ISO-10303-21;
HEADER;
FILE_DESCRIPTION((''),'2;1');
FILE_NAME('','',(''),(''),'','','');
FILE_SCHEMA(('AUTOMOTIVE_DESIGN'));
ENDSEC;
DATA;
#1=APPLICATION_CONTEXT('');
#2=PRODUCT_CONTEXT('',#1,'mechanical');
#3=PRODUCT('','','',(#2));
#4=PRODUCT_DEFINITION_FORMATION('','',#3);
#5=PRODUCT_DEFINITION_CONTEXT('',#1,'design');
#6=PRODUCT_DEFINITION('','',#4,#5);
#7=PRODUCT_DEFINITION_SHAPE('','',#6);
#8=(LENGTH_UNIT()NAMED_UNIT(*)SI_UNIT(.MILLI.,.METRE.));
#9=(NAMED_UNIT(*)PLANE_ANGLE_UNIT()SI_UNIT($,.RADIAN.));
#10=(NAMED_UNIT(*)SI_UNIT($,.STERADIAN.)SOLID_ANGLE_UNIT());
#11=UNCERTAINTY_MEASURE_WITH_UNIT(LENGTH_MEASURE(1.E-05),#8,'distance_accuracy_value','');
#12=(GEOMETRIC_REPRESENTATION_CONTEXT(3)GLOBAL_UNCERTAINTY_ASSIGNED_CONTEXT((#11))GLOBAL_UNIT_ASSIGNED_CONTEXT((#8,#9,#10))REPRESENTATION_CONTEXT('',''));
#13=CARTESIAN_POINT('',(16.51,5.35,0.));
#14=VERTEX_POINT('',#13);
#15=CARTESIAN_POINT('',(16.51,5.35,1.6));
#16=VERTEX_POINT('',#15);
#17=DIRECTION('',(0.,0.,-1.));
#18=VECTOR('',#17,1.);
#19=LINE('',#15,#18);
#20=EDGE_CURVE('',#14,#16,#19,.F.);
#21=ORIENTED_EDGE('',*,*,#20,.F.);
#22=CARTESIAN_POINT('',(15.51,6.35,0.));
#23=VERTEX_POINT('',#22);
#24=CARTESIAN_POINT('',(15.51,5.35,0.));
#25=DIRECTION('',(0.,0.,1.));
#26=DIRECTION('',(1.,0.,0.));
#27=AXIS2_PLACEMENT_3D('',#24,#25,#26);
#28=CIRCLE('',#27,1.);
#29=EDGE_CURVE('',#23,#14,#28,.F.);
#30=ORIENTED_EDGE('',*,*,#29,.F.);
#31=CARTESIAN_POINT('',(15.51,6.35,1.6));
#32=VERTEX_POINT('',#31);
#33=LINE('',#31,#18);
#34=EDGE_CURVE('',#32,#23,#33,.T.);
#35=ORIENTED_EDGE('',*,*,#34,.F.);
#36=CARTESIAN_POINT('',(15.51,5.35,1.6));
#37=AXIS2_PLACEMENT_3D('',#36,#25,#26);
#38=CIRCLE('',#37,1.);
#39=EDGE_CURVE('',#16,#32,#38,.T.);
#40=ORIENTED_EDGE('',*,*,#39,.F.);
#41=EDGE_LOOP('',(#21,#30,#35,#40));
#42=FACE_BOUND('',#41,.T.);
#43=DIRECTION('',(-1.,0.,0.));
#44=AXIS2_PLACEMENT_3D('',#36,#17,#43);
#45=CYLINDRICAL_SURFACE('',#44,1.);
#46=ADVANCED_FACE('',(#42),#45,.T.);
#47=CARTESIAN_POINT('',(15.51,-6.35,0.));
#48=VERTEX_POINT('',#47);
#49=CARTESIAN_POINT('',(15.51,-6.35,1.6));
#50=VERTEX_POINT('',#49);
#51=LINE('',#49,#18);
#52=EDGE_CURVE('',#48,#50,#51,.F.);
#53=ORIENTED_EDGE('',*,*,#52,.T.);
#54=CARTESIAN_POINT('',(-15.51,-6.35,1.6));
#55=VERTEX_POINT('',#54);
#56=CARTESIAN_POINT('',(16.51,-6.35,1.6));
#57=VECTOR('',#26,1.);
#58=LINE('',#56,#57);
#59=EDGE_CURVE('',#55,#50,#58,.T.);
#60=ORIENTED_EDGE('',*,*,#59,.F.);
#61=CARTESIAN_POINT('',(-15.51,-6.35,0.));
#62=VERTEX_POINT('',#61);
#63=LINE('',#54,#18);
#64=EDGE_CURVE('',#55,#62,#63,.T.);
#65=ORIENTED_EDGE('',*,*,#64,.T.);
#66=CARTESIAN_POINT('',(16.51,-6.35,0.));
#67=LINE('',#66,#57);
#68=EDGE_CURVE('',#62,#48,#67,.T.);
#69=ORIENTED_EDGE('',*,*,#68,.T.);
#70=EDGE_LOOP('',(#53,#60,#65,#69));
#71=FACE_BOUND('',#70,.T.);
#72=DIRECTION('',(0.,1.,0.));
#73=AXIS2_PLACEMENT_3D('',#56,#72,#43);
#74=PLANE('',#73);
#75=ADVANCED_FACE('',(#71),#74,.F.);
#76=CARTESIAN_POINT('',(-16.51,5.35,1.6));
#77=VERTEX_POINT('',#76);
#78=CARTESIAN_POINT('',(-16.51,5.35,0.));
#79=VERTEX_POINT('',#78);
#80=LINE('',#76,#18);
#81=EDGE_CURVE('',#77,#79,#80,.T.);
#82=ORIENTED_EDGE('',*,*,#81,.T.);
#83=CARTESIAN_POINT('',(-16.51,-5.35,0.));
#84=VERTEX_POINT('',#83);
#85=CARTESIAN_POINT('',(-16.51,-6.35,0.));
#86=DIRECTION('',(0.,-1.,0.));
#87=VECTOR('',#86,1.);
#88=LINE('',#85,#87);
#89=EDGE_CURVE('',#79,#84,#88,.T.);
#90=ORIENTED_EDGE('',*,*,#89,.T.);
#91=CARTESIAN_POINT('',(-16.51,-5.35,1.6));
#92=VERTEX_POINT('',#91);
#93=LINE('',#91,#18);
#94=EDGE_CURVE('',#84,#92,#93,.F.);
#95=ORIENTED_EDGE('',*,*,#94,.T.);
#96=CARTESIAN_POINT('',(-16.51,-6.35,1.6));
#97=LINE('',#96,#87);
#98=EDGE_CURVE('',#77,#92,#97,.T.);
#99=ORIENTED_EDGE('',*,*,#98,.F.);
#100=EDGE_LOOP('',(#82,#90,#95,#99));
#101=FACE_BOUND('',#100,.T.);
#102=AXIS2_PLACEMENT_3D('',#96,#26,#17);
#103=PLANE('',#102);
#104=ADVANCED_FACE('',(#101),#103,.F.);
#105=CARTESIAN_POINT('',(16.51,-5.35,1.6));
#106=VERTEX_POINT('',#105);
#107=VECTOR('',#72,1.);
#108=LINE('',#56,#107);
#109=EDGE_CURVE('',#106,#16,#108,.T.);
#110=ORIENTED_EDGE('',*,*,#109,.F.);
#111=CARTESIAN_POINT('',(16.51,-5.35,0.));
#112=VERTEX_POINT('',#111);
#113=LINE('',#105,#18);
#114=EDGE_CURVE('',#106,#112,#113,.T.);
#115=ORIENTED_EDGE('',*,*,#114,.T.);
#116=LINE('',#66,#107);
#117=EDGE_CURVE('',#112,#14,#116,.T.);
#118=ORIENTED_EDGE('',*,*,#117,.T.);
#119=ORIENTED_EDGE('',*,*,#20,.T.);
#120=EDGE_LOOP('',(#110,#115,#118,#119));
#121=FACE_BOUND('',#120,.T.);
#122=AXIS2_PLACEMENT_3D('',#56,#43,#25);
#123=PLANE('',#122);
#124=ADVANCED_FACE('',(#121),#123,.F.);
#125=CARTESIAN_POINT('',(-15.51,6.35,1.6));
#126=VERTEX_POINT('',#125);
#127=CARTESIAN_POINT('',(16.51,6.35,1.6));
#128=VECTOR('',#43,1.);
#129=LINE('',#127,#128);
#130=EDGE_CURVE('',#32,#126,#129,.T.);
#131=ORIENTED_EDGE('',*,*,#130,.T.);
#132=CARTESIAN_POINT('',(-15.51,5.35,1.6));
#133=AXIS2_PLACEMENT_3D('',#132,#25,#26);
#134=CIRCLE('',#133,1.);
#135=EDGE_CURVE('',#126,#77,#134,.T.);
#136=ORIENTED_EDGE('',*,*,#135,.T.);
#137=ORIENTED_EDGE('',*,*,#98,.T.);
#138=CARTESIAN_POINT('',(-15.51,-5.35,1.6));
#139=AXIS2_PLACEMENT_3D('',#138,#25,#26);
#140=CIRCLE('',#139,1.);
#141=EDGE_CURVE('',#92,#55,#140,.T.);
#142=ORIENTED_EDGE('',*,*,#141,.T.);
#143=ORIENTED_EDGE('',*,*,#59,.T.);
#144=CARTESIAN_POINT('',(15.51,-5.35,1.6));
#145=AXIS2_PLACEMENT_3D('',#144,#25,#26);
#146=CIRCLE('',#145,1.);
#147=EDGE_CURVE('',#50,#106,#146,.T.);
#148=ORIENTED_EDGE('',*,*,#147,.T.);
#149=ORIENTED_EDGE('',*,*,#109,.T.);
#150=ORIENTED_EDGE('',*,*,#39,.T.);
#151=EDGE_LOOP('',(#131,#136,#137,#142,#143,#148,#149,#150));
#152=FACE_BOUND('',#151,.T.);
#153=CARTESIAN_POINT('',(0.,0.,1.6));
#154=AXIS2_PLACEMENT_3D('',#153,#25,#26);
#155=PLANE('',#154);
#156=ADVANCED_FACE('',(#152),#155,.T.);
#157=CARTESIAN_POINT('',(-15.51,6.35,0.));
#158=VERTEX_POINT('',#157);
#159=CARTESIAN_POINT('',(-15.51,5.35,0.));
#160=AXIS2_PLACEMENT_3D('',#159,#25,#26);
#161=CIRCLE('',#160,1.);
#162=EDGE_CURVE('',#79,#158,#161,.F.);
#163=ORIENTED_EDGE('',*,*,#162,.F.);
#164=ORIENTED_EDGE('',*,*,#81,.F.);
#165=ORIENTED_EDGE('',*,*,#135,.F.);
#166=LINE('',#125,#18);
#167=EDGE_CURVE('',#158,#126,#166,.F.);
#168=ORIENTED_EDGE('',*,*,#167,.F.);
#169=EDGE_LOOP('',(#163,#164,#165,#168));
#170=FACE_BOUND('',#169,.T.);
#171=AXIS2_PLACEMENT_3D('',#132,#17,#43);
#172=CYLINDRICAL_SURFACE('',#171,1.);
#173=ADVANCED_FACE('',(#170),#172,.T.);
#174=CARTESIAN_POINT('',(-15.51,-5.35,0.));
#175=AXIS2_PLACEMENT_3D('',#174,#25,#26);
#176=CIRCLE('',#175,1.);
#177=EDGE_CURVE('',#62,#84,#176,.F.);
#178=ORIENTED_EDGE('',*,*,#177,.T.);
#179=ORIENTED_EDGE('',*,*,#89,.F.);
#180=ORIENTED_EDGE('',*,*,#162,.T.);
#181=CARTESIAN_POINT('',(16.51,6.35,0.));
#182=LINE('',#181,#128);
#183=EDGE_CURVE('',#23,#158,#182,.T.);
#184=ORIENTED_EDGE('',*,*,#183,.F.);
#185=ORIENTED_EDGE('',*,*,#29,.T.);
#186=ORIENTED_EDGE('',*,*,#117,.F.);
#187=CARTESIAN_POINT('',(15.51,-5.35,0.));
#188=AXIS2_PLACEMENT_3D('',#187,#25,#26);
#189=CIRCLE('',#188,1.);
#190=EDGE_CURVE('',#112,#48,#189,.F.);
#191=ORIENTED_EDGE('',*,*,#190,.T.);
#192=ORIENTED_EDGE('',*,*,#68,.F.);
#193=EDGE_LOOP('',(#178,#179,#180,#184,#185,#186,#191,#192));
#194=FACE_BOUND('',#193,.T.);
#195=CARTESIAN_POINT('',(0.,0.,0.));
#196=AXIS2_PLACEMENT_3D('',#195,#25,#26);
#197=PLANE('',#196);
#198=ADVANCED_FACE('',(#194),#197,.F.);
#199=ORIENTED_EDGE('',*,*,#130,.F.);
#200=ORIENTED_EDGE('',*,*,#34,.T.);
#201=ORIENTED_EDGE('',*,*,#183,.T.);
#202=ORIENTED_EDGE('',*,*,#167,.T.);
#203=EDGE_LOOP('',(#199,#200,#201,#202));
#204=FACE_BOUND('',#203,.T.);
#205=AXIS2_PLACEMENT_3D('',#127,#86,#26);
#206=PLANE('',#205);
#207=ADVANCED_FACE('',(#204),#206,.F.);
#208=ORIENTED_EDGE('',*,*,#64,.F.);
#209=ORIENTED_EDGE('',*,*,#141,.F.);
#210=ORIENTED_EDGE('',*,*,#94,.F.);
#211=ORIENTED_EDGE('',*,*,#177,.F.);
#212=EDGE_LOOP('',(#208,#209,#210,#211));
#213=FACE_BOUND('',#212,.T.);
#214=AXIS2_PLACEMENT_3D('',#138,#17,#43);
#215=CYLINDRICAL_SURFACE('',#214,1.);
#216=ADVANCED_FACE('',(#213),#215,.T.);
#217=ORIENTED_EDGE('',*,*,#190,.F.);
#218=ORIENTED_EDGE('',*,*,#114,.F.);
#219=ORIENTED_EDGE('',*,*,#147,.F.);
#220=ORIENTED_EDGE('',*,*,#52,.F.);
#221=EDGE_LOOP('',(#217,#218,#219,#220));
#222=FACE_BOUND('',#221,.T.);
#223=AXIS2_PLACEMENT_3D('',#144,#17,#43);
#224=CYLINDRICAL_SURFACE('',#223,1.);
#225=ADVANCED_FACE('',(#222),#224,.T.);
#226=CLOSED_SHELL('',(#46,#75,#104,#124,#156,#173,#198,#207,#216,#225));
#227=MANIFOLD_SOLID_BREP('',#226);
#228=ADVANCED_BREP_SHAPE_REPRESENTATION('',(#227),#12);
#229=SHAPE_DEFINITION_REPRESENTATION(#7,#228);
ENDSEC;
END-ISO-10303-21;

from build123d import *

# Parameters (mm, degrees)
SKETCH_1_W      = 33.02
SKETCH_1_H      = 12.7
EXTRUDE_1_DEPTH = 1.6
FILLET_1_R      = 1


with BuildPart() as part:
    # 草图1 → 凸台-拉伸1 (new body)
    with BuildSketch(Plane.XY):
        Rectangle(SKETCH_1_W, SKETCH_1_H)
    extrude(amount=EXTRUDE_1_DEPTH)

    # 圆角1
    fillet_1_edges = [part.edges().sort_by_distance(p)[0] for p in [
        (-16.51, 6.35, 0.8),
        (16.51, 6.35, 0.8),
        (16.51, -6.35, 0.8),
        (-16.51, -6.35, 0.8),
    ]]
    fillet(fillet_1_edges, radius=FILLET_1_R)


solid = part.part
